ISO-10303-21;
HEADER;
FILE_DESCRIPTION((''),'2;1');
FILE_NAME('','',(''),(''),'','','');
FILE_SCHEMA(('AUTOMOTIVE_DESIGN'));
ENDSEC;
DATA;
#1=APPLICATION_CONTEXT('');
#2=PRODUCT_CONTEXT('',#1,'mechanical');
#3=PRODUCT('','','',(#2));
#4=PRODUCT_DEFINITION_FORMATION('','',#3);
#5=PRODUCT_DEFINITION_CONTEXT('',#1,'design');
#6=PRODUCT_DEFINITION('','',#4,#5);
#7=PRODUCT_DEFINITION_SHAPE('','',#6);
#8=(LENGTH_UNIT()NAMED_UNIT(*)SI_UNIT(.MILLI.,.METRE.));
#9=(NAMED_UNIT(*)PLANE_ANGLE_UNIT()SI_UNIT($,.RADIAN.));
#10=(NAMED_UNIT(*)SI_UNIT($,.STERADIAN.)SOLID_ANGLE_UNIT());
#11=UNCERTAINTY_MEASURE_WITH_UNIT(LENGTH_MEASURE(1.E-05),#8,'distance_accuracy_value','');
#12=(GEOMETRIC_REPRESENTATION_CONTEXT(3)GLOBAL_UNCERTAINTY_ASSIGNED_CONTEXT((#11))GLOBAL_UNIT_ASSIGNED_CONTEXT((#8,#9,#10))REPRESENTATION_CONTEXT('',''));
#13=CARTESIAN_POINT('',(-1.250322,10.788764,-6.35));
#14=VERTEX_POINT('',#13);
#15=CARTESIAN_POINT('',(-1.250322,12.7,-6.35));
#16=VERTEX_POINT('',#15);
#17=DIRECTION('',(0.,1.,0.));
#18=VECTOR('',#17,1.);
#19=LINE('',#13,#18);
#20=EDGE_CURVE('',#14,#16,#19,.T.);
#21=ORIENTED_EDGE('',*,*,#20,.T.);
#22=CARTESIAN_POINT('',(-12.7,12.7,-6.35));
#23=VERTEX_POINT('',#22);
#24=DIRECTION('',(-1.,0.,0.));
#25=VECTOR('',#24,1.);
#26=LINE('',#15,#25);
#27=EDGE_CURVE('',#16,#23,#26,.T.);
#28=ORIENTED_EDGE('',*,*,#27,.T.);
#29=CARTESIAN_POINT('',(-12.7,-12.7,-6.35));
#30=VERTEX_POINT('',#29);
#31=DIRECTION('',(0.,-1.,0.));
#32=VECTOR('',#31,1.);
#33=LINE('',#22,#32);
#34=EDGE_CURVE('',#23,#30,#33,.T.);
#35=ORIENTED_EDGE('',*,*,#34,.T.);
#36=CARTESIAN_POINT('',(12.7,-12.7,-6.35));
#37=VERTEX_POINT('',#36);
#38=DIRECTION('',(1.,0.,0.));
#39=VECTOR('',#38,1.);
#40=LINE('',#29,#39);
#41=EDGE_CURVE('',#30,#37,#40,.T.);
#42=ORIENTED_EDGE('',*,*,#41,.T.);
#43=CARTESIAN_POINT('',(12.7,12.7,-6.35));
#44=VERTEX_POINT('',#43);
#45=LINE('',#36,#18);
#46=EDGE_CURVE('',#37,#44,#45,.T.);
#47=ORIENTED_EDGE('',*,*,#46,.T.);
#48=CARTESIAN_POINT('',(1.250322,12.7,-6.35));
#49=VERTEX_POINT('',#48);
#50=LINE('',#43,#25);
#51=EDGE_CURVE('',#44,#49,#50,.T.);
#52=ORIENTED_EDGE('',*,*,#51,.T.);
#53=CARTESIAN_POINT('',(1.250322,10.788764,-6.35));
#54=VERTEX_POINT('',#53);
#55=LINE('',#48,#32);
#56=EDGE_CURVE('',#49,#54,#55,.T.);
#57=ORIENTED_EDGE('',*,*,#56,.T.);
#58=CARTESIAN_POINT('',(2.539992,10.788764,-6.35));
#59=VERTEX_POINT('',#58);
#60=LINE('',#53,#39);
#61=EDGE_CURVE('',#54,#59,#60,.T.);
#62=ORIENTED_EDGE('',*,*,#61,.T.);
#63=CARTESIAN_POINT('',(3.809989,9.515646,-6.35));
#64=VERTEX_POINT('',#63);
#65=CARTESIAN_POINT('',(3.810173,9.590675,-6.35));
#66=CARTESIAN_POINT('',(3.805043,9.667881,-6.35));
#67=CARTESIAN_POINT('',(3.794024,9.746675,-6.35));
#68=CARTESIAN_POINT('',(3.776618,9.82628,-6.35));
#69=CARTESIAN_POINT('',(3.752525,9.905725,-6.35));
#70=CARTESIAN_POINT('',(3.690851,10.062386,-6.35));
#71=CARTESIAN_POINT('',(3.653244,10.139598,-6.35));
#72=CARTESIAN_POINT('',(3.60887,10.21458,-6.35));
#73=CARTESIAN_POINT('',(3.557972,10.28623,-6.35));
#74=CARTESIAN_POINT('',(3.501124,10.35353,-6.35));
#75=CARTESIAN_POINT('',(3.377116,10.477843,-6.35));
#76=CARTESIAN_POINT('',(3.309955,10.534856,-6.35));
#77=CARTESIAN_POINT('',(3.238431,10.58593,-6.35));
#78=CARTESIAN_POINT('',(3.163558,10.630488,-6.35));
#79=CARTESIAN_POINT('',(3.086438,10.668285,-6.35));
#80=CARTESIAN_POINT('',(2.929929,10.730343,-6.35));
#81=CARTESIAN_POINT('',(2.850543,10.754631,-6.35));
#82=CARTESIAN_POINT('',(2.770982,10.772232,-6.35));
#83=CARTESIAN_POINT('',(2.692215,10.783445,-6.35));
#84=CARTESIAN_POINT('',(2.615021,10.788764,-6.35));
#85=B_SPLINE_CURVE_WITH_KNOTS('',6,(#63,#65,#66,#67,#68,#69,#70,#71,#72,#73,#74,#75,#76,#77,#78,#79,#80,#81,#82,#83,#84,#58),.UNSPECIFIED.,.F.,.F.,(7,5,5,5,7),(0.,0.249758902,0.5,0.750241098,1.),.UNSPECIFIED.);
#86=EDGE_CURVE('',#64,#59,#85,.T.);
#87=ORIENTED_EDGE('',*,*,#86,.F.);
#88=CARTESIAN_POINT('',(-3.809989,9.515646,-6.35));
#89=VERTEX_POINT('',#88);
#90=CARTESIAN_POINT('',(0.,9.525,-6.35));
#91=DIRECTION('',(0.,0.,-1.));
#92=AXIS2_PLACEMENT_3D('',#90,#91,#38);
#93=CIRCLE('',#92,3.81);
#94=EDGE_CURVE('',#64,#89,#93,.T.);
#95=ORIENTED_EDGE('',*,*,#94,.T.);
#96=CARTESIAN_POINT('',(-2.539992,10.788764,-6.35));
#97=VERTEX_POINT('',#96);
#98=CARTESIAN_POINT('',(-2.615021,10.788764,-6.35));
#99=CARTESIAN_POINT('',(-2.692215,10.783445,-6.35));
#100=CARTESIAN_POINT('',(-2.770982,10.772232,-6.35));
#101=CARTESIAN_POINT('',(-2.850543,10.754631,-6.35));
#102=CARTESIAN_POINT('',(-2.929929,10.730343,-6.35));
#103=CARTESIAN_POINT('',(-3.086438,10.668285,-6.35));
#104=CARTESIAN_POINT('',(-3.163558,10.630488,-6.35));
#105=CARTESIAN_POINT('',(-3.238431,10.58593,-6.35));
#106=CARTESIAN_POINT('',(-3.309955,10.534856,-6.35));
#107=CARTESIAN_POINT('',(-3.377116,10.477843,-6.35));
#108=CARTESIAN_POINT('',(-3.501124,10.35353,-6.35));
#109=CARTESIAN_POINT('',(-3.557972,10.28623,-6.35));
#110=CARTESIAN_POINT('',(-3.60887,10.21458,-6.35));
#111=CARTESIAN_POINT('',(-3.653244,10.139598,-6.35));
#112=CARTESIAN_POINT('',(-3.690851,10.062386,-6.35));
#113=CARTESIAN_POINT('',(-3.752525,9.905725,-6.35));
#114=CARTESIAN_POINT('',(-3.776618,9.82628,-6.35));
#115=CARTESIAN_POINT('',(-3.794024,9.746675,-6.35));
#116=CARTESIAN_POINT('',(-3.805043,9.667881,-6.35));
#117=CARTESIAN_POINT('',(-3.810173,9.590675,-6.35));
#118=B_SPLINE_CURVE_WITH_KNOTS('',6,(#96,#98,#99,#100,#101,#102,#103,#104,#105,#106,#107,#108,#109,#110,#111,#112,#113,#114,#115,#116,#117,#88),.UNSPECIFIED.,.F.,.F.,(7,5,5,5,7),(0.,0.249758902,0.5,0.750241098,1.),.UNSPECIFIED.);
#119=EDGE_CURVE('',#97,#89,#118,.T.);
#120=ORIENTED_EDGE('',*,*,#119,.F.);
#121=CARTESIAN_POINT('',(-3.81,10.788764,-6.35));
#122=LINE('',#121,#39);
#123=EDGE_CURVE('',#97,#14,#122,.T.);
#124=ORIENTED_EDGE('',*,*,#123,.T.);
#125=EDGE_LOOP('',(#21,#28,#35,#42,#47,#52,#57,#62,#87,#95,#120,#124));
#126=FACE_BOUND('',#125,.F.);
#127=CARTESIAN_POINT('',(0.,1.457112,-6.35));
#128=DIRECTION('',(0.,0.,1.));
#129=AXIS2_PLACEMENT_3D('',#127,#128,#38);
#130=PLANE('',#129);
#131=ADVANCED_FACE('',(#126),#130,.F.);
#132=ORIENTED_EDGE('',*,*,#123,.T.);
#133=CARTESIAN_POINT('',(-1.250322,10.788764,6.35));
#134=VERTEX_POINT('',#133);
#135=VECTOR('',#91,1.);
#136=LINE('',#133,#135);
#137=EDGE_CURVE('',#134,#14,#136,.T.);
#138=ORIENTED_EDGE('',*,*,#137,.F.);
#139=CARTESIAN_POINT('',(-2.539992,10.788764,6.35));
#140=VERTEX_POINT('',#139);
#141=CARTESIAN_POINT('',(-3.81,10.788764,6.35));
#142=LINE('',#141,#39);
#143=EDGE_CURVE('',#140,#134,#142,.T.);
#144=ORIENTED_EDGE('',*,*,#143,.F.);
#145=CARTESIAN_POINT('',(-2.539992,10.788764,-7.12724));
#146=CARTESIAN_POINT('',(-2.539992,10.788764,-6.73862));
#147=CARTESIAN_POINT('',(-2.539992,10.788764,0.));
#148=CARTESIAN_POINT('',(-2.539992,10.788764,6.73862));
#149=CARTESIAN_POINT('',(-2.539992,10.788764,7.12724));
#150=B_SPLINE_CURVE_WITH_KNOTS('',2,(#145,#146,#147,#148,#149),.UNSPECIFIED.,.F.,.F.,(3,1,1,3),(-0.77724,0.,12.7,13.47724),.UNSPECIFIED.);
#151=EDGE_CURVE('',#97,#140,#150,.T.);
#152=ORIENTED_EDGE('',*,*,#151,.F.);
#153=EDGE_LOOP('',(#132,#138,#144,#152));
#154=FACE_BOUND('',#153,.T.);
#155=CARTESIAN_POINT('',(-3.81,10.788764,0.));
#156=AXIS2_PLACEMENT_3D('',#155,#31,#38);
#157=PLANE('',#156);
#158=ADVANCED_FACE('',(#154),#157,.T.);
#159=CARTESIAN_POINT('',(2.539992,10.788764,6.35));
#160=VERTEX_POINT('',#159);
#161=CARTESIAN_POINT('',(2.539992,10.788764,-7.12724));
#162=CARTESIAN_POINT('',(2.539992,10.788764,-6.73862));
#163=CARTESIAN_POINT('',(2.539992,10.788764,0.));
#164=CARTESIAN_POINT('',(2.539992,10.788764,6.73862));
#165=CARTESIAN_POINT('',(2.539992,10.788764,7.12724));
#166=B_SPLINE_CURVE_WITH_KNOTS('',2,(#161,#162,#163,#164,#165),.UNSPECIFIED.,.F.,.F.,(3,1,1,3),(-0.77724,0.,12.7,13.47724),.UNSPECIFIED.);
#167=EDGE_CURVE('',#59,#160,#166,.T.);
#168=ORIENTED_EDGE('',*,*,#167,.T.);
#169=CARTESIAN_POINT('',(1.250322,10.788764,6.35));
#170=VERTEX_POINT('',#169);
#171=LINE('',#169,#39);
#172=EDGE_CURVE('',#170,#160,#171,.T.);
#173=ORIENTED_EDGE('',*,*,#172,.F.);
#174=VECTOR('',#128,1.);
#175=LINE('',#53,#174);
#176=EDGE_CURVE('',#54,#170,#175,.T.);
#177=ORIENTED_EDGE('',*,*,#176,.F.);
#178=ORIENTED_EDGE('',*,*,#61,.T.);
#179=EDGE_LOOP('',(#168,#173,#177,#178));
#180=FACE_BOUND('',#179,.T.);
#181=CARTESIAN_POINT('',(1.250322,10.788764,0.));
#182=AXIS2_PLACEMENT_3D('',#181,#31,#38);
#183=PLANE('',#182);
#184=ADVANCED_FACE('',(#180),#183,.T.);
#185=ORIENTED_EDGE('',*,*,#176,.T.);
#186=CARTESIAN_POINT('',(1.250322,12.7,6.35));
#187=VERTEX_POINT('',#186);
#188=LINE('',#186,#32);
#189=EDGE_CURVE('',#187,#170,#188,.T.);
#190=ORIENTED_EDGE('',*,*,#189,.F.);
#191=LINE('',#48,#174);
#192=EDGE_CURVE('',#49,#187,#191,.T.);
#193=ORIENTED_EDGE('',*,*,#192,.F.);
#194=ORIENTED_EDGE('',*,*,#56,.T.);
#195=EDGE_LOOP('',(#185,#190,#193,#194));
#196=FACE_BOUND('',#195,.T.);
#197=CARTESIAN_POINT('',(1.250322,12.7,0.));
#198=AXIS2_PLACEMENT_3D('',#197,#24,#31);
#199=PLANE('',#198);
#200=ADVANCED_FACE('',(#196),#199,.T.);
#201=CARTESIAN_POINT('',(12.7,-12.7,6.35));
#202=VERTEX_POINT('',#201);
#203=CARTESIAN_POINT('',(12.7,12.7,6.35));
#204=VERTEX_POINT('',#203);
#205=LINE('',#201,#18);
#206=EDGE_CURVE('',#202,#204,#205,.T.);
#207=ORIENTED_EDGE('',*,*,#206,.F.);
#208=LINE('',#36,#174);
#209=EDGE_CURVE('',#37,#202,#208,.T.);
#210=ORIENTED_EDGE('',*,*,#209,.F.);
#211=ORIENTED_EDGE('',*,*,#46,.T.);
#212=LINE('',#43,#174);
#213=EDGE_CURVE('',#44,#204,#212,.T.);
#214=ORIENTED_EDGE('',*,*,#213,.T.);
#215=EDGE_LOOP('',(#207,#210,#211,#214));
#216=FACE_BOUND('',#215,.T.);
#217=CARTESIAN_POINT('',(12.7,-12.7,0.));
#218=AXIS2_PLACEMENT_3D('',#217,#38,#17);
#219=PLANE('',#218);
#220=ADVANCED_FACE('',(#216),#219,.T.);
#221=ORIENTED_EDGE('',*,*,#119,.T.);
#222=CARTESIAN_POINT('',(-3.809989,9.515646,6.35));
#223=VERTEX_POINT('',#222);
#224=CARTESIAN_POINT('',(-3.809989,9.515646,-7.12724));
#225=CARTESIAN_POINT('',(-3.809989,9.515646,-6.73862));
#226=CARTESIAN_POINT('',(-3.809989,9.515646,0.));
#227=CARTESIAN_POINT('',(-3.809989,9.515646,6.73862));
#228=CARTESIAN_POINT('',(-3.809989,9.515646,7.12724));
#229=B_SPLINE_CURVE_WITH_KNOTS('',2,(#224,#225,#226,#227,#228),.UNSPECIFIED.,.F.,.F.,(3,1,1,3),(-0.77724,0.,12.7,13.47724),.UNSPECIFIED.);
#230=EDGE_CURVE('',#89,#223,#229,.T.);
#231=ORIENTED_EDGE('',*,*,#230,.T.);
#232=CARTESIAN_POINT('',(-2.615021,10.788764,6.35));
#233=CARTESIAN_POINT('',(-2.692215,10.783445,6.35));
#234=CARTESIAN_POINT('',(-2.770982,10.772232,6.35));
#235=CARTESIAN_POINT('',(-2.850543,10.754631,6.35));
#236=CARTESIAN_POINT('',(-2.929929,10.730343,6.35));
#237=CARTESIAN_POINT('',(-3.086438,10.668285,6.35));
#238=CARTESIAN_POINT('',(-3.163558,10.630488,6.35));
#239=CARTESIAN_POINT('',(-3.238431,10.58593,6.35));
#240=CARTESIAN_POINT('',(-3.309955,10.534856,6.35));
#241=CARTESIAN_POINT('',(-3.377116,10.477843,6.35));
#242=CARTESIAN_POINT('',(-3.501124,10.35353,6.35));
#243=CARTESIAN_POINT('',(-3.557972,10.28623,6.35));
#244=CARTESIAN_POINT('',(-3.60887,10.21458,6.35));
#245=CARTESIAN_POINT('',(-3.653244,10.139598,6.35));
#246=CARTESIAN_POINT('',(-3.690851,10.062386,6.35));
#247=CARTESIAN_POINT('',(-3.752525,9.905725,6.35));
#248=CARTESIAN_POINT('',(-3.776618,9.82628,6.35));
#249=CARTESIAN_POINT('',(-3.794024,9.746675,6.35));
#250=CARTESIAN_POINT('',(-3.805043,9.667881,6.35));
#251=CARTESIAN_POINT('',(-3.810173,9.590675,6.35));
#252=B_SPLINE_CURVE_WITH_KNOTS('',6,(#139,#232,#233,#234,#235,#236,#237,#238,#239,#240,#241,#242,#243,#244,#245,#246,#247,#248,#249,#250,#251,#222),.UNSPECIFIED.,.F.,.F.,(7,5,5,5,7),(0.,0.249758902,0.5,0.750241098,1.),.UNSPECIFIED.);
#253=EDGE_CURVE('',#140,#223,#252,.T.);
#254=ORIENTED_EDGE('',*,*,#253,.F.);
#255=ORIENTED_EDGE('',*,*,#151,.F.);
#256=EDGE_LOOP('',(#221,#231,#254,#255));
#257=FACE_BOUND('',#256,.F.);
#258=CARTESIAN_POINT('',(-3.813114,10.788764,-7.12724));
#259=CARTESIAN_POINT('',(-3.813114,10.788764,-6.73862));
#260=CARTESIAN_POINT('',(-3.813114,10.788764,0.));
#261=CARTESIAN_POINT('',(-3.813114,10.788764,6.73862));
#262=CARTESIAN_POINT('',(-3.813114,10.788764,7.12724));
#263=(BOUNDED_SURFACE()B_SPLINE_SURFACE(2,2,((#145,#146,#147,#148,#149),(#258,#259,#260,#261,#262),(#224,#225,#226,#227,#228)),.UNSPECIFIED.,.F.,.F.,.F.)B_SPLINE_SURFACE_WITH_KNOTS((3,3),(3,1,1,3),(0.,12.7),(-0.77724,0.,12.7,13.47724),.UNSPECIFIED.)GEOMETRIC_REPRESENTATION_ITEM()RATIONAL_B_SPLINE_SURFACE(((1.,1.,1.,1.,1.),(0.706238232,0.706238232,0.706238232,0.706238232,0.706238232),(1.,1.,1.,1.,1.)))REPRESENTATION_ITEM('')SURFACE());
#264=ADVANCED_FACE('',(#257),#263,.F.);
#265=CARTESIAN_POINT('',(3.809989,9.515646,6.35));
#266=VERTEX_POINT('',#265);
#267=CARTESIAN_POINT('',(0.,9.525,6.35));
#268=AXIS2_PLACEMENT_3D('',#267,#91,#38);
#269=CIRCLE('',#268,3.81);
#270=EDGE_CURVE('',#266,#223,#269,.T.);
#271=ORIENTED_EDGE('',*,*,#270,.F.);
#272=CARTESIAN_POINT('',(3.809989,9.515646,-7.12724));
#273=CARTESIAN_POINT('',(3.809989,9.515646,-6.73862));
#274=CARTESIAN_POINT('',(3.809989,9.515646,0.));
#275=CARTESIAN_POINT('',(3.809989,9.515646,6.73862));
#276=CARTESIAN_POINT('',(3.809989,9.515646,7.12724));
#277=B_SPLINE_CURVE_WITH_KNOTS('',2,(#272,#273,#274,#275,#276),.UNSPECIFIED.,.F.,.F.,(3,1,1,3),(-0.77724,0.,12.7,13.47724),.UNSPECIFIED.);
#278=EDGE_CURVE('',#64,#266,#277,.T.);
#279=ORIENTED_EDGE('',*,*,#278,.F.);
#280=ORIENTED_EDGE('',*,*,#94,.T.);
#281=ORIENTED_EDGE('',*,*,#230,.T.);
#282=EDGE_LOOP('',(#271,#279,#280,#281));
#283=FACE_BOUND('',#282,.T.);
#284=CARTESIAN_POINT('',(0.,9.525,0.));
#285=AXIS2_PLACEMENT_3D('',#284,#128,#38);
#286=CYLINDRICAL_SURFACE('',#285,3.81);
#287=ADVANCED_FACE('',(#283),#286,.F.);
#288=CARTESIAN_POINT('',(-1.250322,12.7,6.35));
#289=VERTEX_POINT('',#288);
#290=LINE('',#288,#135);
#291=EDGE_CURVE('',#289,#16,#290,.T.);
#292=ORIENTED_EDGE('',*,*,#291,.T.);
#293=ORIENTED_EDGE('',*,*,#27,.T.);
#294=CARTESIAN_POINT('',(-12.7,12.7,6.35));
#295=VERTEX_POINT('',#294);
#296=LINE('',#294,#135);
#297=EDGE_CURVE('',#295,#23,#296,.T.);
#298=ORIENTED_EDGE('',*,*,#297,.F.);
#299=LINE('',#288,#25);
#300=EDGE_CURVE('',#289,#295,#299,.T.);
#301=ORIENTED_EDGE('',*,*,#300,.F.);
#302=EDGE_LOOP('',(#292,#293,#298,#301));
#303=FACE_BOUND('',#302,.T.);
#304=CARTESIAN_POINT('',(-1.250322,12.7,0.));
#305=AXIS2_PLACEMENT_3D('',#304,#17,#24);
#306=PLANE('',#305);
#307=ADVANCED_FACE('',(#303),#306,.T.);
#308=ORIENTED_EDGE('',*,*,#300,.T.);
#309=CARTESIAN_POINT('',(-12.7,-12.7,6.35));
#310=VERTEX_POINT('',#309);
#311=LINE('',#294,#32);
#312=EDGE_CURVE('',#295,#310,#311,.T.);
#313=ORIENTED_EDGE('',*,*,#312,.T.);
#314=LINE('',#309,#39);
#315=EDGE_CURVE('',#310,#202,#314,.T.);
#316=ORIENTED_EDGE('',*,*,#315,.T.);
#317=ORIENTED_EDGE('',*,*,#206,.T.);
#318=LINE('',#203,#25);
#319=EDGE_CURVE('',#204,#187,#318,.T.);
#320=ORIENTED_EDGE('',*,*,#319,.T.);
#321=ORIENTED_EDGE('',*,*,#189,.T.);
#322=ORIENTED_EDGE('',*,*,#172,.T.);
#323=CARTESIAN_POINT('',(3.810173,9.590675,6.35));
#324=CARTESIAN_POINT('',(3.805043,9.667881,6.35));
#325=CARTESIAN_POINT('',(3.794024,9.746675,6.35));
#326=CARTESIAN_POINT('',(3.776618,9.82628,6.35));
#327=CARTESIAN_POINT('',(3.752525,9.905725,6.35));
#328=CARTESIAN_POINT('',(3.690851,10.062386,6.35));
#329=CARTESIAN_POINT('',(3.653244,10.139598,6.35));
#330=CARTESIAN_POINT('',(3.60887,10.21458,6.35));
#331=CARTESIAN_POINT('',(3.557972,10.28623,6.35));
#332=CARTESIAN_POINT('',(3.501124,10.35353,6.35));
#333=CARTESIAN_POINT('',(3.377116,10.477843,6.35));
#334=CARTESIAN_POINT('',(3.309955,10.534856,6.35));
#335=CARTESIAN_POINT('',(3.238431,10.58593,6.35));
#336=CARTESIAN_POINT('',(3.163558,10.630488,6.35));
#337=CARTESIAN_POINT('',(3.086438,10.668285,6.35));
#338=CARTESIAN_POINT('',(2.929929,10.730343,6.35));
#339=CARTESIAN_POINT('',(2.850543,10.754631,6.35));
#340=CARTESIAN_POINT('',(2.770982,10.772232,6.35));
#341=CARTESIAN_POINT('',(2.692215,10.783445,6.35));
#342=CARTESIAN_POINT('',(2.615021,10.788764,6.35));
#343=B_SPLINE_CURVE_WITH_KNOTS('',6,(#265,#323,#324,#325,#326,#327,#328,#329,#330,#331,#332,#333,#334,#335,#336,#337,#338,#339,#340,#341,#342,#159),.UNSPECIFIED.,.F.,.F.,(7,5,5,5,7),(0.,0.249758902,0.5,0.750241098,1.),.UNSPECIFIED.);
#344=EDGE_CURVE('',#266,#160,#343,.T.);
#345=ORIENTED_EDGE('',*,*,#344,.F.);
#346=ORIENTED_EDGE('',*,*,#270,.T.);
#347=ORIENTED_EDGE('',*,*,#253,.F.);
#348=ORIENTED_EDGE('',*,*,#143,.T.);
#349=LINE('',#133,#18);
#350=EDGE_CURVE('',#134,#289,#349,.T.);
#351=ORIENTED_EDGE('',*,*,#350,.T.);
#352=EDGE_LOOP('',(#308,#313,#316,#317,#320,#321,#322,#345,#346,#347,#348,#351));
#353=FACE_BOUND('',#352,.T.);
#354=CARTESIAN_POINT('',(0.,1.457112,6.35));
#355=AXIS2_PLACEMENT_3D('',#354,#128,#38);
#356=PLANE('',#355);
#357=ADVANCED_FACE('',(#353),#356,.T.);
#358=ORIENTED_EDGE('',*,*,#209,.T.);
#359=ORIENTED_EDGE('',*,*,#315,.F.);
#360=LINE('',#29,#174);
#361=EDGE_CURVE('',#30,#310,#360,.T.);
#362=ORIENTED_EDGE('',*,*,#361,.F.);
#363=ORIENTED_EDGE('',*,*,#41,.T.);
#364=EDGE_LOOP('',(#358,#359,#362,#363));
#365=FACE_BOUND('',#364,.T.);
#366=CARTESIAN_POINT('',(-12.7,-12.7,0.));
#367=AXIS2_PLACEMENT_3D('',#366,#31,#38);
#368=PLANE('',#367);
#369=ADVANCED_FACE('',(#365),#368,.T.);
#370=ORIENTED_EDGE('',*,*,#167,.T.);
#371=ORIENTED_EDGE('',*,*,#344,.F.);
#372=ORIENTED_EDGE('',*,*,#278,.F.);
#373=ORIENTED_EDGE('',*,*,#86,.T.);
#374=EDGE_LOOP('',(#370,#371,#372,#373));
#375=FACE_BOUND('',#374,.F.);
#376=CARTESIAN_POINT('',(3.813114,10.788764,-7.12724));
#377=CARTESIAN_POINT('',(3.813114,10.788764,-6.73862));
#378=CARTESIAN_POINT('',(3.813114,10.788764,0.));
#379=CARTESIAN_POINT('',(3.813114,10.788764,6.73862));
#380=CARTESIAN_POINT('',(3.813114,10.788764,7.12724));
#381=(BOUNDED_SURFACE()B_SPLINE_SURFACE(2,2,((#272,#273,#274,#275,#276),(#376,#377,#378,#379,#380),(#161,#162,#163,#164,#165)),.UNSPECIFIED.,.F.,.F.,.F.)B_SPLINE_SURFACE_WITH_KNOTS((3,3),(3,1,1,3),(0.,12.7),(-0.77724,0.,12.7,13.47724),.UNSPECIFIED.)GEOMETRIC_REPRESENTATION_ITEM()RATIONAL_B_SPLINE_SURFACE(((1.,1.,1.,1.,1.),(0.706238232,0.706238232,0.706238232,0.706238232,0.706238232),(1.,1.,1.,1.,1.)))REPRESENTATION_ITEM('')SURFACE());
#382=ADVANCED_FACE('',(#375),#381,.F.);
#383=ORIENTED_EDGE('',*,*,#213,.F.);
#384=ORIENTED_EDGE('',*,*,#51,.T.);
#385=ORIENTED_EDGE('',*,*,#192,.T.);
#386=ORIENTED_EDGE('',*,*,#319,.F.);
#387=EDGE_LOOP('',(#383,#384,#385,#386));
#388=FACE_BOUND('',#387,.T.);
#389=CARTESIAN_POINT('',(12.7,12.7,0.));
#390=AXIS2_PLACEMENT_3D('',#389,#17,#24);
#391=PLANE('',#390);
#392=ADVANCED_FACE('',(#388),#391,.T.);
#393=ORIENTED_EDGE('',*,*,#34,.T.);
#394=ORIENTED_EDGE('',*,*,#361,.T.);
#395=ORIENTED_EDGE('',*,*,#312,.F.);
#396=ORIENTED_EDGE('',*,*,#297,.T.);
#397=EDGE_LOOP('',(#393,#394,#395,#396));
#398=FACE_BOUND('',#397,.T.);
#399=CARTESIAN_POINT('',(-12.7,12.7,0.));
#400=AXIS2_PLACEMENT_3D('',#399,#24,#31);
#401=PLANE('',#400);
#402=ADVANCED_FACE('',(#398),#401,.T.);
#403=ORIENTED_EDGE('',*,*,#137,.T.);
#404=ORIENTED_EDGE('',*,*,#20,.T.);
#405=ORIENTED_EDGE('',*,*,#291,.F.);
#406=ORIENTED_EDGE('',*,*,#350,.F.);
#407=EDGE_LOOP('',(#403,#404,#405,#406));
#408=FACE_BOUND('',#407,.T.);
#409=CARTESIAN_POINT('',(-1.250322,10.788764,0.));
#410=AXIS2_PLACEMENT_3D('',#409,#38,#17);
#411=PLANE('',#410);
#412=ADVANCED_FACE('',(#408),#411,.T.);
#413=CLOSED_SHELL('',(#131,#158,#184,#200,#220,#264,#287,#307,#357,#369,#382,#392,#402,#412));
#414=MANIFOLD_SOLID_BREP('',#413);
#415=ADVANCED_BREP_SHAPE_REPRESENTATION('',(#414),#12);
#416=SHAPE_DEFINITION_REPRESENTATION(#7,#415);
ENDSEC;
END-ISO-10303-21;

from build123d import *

# Parameters (mm, degrees)
F1_DEPTH = 6.35
F2_R     = 1.27


with BuildPart() as f1:
    # F0 (on Top) → F1 (new body, symmetric)
    with BuildSketch(Plane.XY):
        with BuildLine():
            Line((-12.7, 12.7), (-12.7, -12.7))
            Line((-12.7, -12.7), (12.7, -12.7))
            Line((12.7, -12.7), (12.7, 12.7))
            Line((12.7, 12.7), (1.250322, 12.7))
            Line((1.250322, 12.7), (1.250322, 10.788764))
            Line((1.250322, 10.788764), (3.81, 10.788764))
            Line((3.81, 10.788764), (3.81, 9.525))
            ThreePointArc((3.81, 9.525), (0, 5.715), (-3.81, 9.525))
            Line((-3.81, 9.525), (-3.81, 10.788764))
            Line((-3.81, 10.788764), (-1.250322, 10.788764))
            Line((-1.250322, 10.788764), (-1.250322, 12.7))
            Line((-1.250322, 12.7), (-12.7, 12.7))
        make_face()
    extrude(amount=F1_DEPTH, both=True)

    # F2
    f2_edges = [f1.edges().sort_by_distance(p)[0] for p in [
        (-3.81, 10.788764, 0),
        (3.81, 10.788764, 0),
    ]]
    fillet(f2_edges, radius=F2_R)


solid = f1.part
